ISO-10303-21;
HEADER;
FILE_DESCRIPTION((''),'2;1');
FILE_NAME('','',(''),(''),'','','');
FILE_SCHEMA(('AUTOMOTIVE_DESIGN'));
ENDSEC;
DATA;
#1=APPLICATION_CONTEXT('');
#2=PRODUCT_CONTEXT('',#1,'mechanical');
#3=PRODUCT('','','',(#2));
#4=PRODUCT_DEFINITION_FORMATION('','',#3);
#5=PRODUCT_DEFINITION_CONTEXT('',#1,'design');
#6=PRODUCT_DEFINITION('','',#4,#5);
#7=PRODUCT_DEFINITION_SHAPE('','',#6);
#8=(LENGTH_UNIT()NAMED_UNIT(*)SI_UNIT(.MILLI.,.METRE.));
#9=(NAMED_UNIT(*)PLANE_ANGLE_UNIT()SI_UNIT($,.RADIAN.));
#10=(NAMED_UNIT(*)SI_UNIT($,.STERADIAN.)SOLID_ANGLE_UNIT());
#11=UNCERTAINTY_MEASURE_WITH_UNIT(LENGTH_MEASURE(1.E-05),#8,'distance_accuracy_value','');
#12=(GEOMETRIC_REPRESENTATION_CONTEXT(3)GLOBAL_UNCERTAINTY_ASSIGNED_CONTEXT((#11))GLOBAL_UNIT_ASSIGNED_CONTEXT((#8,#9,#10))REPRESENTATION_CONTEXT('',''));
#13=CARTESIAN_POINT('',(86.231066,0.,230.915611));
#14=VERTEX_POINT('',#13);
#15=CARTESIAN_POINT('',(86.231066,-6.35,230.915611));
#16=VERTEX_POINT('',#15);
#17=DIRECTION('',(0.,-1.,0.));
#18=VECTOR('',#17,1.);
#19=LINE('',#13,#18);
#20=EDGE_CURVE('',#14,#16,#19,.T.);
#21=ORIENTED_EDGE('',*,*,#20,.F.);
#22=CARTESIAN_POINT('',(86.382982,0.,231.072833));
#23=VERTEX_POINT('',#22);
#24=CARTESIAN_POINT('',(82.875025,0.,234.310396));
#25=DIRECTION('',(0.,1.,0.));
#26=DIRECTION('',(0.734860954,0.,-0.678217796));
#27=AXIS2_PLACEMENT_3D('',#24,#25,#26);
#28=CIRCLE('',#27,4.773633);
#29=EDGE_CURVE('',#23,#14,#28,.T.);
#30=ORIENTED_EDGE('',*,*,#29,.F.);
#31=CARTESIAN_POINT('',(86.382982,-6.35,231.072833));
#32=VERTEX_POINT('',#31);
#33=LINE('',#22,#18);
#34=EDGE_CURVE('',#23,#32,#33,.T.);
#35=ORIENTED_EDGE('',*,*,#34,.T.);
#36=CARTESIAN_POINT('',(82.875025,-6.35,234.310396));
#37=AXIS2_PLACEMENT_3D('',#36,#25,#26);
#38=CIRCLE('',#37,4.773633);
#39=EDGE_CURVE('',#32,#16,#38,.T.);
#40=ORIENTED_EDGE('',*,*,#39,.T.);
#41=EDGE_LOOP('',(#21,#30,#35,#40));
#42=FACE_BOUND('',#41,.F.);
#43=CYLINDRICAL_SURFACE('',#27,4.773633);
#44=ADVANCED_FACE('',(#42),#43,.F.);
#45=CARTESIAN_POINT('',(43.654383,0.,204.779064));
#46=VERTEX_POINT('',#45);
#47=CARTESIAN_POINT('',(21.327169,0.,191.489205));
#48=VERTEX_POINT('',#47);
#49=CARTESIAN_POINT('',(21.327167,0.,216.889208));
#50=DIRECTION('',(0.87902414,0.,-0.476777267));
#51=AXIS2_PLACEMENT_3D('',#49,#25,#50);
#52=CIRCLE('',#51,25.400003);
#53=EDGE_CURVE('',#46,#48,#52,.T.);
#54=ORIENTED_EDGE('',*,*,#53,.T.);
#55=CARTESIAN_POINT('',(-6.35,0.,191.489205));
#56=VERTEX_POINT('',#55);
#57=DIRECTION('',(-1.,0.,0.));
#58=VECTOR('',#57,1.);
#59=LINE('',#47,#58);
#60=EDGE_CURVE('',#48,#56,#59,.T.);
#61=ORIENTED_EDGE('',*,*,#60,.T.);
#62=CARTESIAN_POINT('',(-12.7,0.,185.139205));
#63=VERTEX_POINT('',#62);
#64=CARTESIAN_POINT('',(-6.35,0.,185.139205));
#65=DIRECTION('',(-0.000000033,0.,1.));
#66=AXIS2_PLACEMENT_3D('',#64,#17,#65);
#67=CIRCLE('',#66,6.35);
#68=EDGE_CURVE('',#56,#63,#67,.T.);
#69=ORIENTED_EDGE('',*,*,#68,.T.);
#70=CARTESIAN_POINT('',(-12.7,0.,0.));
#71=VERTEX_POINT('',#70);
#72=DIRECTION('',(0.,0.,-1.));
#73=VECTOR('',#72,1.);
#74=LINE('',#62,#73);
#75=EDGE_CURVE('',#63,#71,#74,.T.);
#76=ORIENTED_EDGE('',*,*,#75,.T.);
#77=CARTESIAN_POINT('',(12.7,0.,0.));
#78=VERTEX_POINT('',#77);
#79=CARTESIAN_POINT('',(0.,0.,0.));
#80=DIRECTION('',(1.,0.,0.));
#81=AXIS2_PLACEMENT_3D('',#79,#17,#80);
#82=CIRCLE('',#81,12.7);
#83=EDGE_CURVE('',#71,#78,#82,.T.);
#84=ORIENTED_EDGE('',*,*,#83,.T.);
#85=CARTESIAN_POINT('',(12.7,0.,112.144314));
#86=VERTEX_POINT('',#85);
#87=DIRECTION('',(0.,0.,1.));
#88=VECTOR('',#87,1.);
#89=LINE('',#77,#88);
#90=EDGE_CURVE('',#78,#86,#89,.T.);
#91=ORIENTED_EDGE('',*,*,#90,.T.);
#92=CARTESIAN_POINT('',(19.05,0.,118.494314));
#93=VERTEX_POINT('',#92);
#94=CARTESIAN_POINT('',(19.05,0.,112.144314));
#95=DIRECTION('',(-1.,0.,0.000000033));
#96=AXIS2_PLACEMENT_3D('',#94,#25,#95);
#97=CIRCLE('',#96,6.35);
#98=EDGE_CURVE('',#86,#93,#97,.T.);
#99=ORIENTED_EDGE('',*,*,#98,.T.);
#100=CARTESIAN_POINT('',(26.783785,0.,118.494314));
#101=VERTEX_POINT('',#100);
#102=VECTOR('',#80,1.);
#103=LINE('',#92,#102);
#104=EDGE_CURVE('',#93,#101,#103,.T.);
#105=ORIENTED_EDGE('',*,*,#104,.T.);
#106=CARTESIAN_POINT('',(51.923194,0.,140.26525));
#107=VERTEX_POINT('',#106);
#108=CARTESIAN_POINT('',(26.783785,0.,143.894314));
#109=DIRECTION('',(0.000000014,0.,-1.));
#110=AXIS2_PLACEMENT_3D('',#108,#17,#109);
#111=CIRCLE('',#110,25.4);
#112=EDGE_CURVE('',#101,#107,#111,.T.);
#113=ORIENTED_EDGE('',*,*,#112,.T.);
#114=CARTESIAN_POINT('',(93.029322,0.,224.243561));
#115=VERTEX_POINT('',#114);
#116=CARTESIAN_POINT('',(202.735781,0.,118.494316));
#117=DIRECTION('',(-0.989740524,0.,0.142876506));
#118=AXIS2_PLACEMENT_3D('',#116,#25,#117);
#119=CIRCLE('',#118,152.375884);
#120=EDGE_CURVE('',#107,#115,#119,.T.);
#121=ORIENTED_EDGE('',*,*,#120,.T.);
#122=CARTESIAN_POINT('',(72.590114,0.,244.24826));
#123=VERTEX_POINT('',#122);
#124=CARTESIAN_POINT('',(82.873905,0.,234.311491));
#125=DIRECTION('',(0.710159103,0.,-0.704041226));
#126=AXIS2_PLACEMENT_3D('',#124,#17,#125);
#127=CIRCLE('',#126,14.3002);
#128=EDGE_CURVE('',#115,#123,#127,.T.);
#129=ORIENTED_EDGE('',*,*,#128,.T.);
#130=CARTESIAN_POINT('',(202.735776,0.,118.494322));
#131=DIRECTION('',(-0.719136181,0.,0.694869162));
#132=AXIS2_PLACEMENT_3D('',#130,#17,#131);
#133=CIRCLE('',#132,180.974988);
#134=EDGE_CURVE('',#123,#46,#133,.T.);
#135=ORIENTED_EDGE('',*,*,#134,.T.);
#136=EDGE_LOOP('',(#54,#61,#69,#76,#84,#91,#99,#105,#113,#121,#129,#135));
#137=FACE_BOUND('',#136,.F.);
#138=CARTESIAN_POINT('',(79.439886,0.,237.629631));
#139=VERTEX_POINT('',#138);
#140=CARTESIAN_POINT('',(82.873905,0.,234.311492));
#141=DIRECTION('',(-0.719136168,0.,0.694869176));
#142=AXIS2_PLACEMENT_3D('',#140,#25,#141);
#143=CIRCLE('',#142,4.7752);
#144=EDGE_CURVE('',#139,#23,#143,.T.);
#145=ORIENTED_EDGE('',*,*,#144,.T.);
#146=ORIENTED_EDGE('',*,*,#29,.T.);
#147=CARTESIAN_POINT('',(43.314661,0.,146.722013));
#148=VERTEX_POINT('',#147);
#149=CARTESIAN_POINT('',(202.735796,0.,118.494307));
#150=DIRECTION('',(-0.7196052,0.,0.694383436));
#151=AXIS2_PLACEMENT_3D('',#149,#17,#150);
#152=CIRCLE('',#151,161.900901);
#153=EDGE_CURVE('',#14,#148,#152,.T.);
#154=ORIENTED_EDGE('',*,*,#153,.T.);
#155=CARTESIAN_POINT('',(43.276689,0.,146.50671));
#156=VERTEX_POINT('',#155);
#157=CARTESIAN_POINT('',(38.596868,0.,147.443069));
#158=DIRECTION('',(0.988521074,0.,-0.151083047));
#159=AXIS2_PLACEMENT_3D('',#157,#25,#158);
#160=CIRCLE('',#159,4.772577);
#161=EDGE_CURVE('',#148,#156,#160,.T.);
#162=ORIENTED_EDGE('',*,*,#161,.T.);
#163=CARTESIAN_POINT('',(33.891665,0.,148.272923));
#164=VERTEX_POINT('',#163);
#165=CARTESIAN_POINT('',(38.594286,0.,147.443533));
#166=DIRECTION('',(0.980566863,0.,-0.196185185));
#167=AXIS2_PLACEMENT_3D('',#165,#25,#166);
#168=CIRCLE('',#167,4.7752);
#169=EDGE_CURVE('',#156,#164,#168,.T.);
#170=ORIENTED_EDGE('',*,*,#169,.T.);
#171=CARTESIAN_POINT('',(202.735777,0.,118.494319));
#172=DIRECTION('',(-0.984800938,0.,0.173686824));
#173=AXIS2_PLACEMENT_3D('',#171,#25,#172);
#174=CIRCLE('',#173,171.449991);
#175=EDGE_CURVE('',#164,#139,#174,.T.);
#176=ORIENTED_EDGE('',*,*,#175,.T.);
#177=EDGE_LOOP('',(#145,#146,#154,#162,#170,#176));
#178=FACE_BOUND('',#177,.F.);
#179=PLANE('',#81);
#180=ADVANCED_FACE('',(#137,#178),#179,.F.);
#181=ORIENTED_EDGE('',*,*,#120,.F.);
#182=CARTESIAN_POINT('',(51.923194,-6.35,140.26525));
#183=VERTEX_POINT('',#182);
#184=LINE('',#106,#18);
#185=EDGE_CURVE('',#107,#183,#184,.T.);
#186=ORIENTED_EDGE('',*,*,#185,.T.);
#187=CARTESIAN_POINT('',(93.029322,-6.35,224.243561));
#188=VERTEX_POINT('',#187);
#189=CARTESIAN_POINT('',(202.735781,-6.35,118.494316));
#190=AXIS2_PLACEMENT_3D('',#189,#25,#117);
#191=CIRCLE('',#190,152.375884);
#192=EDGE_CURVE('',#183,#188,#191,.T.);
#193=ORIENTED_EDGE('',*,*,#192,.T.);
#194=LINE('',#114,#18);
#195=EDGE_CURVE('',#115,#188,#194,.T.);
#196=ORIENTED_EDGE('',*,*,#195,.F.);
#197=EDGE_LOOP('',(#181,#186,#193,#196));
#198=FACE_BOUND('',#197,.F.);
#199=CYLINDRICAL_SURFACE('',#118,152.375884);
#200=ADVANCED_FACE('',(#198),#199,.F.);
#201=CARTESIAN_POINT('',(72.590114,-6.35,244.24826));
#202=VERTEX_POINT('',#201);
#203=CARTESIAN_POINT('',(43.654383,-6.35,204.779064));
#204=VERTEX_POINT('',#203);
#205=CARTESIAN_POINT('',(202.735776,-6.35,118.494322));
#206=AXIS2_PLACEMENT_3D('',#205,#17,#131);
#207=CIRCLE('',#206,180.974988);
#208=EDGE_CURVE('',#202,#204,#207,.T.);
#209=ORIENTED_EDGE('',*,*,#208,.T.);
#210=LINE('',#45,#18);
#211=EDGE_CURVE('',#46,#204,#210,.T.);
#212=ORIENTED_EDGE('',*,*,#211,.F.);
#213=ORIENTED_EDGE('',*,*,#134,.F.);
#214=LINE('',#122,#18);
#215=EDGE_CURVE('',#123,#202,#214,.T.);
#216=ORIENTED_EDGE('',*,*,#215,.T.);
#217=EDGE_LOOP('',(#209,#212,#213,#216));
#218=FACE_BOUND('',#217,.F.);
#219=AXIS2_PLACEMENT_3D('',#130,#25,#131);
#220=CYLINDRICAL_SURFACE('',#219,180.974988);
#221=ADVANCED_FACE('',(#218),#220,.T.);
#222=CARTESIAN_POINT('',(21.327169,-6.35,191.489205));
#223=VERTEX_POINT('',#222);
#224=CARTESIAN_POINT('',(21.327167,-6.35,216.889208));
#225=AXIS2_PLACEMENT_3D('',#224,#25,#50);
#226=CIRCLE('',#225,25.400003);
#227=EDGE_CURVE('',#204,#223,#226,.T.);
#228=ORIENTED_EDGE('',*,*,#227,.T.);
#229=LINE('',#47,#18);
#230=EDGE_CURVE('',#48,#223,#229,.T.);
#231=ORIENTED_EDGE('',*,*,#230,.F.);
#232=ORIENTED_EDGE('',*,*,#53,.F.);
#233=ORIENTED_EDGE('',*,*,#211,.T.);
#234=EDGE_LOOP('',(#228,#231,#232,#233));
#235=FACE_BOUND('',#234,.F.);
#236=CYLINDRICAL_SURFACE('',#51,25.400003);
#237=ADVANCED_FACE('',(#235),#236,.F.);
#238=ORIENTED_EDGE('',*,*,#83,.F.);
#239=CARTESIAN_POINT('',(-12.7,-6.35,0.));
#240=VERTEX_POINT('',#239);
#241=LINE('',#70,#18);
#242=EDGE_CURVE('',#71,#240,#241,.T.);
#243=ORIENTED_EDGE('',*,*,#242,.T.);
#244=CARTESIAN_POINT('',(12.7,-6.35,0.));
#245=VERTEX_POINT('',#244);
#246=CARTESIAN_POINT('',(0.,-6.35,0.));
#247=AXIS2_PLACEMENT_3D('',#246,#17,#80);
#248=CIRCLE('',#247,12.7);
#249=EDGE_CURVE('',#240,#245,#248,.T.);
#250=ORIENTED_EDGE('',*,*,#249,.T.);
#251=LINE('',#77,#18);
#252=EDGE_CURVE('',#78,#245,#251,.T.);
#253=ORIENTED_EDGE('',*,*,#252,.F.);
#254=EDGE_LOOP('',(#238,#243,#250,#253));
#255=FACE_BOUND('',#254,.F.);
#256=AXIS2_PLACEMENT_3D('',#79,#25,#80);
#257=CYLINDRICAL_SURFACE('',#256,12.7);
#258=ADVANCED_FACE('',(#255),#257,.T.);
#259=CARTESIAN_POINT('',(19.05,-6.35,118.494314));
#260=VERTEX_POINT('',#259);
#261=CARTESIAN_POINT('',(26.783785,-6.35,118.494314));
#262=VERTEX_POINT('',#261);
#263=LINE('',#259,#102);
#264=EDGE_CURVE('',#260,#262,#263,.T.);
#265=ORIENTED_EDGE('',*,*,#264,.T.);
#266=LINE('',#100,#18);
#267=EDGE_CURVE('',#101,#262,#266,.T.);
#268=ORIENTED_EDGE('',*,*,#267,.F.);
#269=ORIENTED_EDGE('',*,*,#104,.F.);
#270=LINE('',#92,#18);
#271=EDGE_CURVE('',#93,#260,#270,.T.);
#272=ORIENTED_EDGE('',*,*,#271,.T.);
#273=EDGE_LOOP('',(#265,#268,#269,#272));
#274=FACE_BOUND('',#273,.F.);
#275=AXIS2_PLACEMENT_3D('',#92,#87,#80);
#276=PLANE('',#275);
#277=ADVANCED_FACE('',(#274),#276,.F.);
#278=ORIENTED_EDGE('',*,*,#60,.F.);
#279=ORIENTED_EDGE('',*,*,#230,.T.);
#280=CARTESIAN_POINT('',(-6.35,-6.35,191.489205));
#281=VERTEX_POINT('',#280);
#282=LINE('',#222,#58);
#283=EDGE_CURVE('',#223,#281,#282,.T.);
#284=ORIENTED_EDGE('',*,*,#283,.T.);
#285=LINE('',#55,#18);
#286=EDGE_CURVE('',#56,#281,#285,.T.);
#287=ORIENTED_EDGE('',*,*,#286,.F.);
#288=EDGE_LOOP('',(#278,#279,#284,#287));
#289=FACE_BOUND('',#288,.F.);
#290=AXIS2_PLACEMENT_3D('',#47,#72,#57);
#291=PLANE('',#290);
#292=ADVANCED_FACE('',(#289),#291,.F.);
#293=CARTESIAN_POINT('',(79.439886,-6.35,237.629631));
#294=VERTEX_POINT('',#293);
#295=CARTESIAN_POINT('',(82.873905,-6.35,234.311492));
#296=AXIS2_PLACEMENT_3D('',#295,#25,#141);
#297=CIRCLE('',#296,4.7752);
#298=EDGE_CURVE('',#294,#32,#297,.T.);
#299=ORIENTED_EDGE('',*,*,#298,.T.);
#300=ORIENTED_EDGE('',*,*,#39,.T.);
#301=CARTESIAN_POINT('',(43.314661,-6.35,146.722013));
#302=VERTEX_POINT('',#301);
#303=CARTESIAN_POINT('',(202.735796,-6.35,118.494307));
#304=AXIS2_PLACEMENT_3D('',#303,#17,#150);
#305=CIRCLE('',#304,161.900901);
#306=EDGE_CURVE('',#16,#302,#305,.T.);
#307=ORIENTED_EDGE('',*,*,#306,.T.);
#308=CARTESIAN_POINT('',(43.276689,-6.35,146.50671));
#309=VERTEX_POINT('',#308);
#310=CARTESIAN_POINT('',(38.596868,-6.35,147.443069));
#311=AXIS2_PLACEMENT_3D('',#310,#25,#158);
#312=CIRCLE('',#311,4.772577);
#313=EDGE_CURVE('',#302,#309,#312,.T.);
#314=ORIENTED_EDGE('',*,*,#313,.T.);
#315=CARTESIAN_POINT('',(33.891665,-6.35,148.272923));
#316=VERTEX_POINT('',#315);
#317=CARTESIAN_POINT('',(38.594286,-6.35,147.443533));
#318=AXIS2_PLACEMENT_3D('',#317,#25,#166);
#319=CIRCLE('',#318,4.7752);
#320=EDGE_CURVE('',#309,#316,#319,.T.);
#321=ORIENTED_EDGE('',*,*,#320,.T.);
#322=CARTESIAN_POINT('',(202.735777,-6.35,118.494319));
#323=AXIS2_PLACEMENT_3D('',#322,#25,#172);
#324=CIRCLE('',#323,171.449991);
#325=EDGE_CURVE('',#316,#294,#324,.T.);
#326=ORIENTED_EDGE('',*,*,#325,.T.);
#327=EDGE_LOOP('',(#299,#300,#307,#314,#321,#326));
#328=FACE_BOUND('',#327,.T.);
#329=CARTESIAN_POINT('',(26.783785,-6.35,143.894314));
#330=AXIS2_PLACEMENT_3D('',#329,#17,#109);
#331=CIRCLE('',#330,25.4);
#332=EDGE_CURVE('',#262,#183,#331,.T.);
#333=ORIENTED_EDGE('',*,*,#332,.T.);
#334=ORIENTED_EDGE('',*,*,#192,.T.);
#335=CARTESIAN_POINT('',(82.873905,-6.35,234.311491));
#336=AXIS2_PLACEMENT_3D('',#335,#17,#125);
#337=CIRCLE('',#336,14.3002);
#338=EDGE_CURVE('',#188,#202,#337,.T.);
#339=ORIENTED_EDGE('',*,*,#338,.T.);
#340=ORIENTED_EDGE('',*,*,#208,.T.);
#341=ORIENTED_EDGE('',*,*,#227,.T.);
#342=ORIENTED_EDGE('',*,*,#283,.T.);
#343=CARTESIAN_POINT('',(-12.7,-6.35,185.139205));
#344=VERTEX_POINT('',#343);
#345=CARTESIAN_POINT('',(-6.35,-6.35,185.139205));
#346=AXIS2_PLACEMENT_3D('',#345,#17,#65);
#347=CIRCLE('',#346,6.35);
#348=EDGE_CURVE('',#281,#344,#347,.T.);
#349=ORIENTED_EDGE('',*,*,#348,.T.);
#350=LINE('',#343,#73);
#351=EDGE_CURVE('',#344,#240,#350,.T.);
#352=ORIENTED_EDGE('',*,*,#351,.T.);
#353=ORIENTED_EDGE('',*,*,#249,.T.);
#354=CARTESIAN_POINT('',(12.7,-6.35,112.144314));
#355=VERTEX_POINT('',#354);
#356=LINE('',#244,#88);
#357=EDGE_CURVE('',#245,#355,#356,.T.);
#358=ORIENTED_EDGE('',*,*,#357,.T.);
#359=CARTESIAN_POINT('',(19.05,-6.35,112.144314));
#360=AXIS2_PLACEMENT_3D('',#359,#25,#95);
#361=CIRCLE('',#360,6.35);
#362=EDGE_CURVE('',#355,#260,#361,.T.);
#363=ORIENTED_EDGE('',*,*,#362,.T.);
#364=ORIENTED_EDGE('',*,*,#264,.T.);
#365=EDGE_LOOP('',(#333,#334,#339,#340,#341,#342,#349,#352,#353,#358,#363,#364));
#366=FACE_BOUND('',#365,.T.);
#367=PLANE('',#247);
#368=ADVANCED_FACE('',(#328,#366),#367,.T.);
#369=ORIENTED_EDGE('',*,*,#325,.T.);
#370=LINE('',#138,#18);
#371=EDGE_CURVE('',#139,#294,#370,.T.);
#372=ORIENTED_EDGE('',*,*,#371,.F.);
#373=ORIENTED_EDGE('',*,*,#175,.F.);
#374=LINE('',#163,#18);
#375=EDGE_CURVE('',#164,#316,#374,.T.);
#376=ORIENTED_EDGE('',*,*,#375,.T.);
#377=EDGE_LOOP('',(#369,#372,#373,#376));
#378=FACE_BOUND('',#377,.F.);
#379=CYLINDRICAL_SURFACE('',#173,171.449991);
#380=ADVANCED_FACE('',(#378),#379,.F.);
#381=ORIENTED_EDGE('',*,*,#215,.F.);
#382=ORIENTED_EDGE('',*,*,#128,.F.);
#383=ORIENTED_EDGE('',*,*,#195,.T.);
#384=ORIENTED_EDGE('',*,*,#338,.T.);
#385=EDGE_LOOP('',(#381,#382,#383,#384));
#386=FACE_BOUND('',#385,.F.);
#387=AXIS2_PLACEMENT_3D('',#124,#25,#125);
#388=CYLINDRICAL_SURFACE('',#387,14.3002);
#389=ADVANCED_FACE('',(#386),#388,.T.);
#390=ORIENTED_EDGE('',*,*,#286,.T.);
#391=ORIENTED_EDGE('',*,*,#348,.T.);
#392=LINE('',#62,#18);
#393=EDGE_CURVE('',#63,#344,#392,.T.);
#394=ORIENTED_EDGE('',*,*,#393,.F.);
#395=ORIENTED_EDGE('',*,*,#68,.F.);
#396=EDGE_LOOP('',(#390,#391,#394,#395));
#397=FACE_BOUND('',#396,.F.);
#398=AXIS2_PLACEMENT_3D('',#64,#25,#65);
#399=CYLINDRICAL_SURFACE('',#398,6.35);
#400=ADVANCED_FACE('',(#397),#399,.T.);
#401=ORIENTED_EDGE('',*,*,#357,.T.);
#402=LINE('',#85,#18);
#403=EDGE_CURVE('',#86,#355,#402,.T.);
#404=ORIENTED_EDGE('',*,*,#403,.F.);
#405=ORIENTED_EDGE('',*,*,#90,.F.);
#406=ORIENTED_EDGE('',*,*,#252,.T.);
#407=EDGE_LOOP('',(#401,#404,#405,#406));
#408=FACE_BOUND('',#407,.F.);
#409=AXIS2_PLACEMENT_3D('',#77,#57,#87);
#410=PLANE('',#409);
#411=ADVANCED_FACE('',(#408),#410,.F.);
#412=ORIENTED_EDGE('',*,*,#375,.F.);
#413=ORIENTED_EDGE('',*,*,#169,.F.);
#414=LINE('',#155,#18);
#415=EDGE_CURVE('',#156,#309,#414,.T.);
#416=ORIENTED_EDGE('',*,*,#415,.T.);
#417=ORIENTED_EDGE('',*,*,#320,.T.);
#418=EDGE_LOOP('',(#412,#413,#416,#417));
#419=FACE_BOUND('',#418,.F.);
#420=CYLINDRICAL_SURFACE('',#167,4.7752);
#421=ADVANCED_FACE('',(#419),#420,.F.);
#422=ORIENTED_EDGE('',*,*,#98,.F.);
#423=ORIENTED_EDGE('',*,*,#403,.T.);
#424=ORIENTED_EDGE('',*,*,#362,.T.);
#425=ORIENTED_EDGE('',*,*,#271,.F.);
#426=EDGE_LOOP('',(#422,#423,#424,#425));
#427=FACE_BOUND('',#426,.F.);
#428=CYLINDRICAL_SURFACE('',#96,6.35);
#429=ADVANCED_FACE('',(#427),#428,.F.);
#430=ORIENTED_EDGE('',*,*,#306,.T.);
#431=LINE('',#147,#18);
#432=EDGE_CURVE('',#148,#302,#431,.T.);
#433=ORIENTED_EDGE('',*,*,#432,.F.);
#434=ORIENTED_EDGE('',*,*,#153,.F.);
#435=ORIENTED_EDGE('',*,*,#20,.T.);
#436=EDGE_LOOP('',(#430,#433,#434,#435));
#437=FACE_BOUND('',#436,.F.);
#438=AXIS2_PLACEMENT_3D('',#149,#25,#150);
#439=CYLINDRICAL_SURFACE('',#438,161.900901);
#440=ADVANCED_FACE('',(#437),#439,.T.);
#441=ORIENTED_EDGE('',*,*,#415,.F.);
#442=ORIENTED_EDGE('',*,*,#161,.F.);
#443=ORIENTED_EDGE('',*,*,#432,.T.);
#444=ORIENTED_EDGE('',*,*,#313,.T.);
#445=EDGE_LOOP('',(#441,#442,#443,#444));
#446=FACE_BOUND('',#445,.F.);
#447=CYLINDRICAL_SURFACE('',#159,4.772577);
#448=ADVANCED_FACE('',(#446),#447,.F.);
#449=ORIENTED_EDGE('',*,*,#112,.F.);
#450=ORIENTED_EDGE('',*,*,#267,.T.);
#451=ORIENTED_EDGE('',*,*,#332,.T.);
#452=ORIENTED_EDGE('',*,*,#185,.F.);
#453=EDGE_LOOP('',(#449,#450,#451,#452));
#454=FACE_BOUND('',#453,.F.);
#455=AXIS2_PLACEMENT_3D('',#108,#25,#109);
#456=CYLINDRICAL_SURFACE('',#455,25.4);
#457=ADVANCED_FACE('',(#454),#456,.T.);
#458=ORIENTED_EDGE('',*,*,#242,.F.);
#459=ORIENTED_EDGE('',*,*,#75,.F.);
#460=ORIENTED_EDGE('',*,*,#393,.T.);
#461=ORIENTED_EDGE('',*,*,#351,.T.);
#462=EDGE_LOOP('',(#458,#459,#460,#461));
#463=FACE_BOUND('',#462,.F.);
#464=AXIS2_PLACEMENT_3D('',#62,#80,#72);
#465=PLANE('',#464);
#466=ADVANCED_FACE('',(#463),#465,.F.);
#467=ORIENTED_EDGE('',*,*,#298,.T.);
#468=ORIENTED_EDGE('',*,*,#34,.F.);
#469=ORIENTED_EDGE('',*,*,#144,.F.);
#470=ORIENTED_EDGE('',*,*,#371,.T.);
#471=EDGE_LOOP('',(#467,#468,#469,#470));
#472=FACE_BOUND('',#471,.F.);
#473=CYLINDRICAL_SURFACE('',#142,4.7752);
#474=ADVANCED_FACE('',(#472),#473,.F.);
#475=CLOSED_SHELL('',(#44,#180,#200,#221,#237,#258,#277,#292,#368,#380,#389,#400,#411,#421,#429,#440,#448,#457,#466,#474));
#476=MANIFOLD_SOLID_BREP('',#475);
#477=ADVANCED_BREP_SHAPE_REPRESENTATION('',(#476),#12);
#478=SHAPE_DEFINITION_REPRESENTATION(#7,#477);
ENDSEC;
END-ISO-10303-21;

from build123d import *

# Parameters (mm, degrees)
F1_DEPTH = 6.35


with BuildPart() as f1:
    # F0 (on Front) → F1 (new body)
    with BuildSketch(Plane.XZ):
        with BuildLine():
            ThreePointArc((-12.7, 0), (0, -12.7), (12.7, 0))
            ThreePointArc((12.7, 0), (0, 12.7), (-12.7, 0))
        make_face()
        with BuildLine():
            ThreePointArc((-12.7, 0), (0, 12.7), (12.7, 0))
            Line((12.7, 0), (12.7, 112.144314))
            ThreePointArc((12.7, 112.144314), (14.559872, 116.634442), (19.05, 118.494314))
            Line((19.05, 118.494314), (26.783785, 118.494314))
            ThreePointArc((26.783785, 118.494314), (43.4118, 124.693556), (51.923194, 140.26525))
            ThreePointArc((51.923194, 140.26525), (65.87588, 185.485192), (93.029322, 224.243561))
            ThreePointArc((93.029322, 224.243561), (92.87646, 244.531306), (72.590114, 244.24826))
            ThreePointArc((72.590114, 244.24826), (56.781925, 225.496283), (43.654383, 204.779064))
            ThreePointArc((43.654383, 204.779064), (34.318751, 195.063102), (21.327169, 191.489205))
            Line((21.327169, 191.489205), (-6.35, 191.489205))
            ThreePointArc((-6.35, 191.489205), (-10.840128, 189.629333), (-12.7, 185.139205))
            Line((-12.7, 185.139205), (-12.7, 0))
        make_face()
        with BuildLine():
            ThreePointArc((33.891665, 148.272923), (49.985652, 196.356368), (79.439886, 237.629631))
            ThreePointArc((79.439886, 237.629631), (86.152519, 237.783267), (86.382982, 231.072833))
            ThreePointArc((86.382982, 231.072833), (86.307924, 230.993352), (86.231066, 230.915611))
            ThreePointArc((86.231066, 230.915611), (58.493253, 192.019748), (43.314661, 146.722013))
            ThreePointArc((43.314661, 146.722013), (43.296908, 146.614144), (43.276689, 146.50671))
            ThreePointArc((43.276689, 146.50671), (37.711122, 142.750714), (33.891665, 148.272923))
        make_face(mode=Mode.SUBTRACT)
    extrude(amount=F1_DEPTH)


solid = f1.part
